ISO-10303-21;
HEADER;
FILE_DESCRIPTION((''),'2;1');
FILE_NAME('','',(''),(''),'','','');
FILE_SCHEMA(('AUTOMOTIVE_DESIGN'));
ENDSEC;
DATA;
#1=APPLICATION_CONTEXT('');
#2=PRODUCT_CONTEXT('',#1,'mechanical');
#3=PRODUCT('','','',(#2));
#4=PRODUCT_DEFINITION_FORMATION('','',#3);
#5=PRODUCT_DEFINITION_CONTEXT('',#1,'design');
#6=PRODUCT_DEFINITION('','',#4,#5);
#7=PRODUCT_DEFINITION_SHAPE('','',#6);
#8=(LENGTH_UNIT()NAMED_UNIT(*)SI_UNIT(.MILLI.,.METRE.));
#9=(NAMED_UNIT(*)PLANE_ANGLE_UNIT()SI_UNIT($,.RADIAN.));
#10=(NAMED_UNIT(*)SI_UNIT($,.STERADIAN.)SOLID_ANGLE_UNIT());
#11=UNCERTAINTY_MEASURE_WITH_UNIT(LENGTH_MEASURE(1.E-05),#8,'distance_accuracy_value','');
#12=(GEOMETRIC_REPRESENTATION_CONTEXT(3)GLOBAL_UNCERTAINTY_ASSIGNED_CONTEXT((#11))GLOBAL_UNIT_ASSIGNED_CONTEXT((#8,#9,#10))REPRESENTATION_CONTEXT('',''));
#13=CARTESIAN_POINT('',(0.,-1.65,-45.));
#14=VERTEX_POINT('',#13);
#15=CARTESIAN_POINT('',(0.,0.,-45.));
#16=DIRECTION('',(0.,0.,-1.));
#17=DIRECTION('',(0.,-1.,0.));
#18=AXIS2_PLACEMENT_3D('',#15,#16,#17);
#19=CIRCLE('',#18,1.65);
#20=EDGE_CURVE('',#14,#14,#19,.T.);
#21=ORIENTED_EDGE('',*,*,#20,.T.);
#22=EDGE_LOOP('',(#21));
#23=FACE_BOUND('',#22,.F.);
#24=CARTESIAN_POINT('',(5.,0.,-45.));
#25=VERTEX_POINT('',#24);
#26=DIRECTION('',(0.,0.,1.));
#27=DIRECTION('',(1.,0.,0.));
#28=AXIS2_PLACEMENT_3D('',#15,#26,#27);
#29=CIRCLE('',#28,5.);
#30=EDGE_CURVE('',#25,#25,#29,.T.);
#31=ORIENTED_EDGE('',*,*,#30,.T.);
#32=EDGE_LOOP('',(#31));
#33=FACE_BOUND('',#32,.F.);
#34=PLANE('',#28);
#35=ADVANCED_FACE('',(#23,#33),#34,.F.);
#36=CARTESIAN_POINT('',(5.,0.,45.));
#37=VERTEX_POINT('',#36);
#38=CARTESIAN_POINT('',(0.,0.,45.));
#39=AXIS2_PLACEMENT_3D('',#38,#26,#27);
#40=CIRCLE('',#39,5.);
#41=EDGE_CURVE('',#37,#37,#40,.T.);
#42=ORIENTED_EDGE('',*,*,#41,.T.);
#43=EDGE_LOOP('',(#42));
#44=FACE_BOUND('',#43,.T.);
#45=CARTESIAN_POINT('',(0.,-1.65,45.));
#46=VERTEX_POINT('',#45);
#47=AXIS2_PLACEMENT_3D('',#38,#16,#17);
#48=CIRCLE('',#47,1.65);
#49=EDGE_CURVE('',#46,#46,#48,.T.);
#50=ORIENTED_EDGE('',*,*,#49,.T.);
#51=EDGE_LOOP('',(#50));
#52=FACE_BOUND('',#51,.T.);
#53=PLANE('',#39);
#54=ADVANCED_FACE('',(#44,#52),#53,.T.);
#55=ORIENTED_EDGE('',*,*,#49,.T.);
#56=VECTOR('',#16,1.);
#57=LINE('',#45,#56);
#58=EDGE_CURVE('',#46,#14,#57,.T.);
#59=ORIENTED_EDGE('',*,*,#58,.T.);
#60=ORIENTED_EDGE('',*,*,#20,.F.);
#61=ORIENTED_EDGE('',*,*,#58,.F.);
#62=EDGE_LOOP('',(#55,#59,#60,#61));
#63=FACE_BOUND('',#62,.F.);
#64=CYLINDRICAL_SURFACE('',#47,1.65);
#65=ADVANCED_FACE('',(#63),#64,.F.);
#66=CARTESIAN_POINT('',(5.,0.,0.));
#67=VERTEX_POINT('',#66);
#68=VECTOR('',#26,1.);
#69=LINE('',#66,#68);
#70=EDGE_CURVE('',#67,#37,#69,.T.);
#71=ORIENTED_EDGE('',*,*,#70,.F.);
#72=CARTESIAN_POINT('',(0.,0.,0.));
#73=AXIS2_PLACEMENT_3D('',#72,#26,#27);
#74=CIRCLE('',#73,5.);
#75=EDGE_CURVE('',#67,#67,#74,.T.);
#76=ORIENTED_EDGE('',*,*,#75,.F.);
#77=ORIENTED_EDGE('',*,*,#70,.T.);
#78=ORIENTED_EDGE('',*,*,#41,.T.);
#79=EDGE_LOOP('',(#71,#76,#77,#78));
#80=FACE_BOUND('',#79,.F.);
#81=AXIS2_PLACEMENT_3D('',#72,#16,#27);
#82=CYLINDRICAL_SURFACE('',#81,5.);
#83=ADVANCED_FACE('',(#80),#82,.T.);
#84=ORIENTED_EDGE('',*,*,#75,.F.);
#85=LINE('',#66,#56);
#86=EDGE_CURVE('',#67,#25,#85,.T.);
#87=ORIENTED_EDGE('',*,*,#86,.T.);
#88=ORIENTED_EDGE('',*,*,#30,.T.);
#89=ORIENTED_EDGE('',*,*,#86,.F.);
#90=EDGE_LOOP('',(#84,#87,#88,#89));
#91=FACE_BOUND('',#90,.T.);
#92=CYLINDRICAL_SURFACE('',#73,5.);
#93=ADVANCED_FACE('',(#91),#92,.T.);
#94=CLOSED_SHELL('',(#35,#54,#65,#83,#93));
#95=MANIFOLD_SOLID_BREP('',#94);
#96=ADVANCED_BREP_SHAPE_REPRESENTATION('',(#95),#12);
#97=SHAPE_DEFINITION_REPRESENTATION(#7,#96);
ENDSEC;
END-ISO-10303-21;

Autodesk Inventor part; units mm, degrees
ref_plane "YZ Plane" through (0, 0, 0) normal (1, 0, 0) x (0, 1, 0)
ref_plane "XZ Plane" through (0, 0, 0) normal (0, 1, 0) x (-1, 0, 0)
ref_plane "XY Plane" through (0, 0, 0) normal (0, 0, 1) x (1, 0, 0)
sketch "スケッチ1" plane through (0, 0, 0) normal (0, 0, 1) x (1, 0, 0)
  circle A0 centre (0, 0) radius 5
  dimension "d0" = 10
extrude "押し出し1" add sketch "スケッチ1" along normal mid plane 90
sketch "スケッチ2" plane through (0, 0, 45) normal (0, 0, 1) x (1, 0, 0)
  point P0 (0, 0)
hole "穴1" at (0, 0, 45) direction (0, 0, -1) diameter 3.3 end through all
properties part number "base_part_finger_ver2"
